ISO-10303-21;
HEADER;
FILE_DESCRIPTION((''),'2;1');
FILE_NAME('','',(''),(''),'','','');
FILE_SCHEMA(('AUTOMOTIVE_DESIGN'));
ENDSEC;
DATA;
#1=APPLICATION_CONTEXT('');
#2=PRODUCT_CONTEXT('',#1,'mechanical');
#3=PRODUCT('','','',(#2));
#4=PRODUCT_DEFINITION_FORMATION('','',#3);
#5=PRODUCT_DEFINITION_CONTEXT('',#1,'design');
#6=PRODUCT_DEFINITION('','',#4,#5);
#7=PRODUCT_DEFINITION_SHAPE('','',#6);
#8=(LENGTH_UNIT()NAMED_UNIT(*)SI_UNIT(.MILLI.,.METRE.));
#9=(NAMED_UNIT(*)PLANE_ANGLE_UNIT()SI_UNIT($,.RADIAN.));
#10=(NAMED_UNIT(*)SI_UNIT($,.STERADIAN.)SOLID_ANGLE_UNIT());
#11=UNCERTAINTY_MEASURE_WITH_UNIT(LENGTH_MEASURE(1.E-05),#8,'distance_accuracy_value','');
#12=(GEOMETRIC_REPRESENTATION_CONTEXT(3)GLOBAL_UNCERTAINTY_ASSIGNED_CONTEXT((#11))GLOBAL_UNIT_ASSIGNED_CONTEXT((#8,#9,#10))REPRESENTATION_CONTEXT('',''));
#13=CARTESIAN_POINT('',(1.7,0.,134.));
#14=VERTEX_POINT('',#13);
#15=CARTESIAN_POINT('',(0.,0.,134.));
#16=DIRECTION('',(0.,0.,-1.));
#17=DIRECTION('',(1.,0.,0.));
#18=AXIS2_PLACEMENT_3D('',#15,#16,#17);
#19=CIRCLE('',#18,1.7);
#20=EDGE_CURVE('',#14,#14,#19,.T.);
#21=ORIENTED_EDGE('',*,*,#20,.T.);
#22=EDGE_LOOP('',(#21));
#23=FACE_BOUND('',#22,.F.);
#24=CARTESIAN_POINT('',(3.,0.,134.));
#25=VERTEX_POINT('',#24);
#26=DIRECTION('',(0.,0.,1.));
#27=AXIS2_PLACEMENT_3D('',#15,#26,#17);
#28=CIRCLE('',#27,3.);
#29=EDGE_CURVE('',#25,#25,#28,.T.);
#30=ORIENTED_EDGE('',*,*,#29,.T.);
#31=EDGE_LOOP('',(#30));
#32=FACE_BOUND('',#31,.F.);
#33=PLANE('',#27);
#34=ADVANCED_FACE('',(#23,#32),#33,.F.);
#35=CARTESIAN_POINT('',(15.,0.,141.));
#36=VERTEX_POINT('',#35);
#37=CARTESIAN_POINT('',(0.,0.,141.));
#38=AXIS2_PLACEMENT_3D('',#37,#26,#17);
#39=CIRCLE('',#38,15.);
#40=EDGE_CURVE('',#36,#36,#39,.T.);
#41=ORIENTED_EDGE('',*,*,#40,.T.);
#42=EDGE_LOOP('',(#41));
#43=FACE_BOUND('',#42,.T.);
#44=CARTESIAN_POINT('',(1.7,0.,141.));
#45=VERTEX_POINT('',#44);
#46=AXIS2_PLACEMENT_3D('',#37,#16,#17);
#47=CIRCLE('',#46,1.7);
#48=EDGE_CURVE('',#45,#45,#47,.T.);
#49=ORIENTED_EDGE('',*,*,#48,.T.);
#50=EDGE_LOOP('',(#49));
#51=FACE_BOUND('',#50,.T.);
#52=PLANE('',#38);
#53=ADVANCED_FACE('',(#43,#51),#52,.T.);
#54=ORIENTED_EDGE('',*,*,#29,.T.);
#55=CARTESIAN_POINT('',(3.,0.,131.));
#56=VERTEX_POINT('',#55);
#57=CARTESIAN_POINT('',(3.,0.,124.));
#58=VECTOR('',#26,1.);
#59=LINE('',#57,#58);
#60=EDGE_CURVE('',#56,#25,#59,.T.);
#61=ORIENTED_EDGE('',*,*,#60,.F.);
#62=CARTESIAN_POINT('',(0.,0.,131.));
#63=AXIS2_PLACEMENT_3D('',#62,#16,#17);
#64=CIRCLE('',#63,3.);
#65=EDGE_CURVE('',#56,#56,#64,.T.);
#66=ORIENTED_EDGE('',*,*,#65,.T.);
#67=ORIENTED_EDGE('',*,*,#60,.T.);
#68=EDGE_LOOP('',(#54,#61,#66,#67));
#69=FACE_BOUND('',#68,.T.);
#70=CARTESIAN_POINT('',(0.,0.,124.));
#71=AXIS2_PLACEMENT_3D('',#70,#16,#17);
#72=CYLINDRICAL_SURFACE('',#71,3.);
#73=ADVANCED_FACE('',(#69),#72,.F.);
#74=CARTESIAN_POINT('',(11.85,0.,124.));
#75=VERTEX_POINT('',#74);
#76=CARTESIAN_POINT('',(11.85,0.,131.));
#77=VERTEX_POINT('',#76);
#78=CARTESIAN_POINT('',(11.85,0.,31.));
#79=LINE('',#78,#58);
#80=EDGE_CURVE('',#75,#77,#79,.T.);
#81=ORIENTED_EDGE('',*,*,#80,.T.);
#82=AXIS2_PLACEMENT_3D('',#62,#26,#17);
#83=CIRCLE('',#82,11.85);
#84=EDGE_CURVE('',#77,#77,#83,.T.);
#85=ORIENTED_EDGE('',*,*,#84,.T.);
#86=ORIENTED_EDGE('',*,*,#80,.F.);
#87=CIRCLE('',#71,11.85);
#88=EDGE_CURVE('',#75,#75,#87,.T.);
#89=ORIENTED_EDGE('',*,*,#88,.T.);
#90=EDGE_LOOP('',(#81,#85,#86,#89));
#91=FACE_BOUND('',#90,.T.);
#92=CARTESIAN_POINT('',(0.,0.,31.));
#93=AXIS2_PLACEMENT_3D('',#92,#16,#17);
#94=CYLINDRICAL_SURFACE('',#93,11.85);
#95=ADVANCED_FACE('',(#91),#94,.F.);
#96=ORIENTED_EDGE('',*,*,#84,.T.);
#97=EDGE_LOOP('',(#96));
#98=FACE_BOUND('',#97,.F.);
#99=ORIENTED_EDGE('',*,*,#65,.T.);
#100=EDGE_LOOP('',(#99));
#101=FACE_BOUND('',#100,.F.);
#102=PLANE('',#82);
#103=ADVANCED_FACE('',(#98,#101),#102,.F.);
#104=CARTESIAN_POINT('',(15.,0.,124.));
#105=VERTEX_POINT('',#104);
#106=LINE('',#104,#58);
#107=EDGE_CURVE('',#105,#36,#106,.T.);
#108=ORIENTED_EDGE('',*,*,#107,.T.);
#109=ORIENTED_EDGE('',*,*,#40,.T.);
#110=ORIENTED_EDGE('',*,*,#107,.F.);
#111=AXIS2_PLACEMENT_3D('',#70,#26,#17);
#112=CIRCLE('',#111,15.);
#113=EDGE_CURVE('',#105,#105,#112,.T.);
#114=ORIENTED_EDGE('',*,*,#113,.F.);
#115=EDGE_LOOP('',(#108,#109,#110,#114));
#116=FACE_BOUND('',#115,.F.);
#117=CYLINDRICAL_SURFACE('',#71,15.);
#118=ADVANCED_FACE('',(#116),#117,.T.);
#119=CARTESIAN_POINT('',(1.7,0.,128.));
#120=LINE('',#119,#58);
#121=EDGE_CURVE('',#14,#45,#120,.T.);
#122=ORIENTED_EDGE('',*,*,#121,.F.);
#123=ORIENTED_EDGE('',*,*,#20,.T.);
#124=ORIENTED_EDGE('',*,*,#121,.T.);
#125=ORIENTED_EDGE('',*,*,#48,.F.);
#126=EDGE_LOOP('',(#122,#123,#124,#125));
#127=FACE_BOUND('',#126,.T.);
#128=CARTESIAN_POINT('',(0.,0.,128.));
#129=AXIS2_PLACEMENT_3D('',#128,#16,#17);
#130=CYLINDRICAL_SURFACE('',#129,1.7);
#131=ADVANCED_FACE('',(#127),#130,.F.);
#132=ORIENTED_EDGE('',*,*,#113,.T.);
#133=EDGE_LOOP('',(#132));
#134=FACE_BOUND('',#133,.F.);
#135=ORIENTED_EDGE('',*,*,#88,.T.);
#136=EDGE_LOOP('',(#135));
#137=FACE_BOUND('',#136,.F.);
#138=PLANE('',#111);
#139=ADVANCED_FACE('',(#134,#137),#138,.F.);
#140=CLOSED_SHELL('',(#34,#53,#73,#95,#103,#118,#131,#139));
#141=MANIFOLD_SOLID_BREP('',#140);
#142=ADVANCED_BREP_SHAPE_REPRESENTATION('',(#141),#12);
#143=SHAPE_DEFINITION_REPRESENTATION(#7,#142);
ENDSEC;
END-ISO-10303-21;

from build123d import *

# Parameters (mm, degrees)
CYLINDER091_R     = 3
CYLINDER091_DEPTH = 10
CYLINDER090_R     = 1.7
CYLINDER090_DEPTH = 30
CYLINDER092_R     = 11.85
CYLINDER092_DEPTH = 100
CYLINDER014_R     = 15
CYLINDER014_DEPTH = 17


with BuildPart() as cylinder369:
    # Cylinder091 → Cylinder091 (new body)
    with BuildSketch(Plane.XY.offset(124)):
        Circle(CYLINDER091_R)
    extrude(amount=CYLINDER091_DEPTH)


with BuildPart() as cylinder368:
    # Cylinder090 → Cylinder090 (new body)
    with BuildSketch(Plane.XY.offset(128)):
        Circle(CYLINDER090_R)
    extrude(amount=CYLINDER090_DEPTH)


with BuildPart() as cylinder370:
    # Cylinder092 → Cylinder092 (new body)
    with BuildSketch(Plane.XY.offset(31)):
        Circle(CYLINDER092_R)
    extrude(amount=CYLINDER092_DEPTH)


with BuildPart() as winder_end_free:
    # Cylinder014 → Cylinder014 (new body)
    with BuildSketch(Plane.XY.offset(124)):
        Circle(CYLINDER014_R)
    extrude(amount=CYLINDER014_DEPTH)

    # Cut050: cut Cylinder370
    add(cylinder370.part, mode=Mode.SUBTRACT)

    # Cut051: cut Cylinder368
    add(cylinder368.part, mode=Mode.SUBTRACT)

    # Cut052: cut Cylinder369
    add(cylinder369.part, mode=Mode.SUBTRACT)


solid = winder_end_free.part
